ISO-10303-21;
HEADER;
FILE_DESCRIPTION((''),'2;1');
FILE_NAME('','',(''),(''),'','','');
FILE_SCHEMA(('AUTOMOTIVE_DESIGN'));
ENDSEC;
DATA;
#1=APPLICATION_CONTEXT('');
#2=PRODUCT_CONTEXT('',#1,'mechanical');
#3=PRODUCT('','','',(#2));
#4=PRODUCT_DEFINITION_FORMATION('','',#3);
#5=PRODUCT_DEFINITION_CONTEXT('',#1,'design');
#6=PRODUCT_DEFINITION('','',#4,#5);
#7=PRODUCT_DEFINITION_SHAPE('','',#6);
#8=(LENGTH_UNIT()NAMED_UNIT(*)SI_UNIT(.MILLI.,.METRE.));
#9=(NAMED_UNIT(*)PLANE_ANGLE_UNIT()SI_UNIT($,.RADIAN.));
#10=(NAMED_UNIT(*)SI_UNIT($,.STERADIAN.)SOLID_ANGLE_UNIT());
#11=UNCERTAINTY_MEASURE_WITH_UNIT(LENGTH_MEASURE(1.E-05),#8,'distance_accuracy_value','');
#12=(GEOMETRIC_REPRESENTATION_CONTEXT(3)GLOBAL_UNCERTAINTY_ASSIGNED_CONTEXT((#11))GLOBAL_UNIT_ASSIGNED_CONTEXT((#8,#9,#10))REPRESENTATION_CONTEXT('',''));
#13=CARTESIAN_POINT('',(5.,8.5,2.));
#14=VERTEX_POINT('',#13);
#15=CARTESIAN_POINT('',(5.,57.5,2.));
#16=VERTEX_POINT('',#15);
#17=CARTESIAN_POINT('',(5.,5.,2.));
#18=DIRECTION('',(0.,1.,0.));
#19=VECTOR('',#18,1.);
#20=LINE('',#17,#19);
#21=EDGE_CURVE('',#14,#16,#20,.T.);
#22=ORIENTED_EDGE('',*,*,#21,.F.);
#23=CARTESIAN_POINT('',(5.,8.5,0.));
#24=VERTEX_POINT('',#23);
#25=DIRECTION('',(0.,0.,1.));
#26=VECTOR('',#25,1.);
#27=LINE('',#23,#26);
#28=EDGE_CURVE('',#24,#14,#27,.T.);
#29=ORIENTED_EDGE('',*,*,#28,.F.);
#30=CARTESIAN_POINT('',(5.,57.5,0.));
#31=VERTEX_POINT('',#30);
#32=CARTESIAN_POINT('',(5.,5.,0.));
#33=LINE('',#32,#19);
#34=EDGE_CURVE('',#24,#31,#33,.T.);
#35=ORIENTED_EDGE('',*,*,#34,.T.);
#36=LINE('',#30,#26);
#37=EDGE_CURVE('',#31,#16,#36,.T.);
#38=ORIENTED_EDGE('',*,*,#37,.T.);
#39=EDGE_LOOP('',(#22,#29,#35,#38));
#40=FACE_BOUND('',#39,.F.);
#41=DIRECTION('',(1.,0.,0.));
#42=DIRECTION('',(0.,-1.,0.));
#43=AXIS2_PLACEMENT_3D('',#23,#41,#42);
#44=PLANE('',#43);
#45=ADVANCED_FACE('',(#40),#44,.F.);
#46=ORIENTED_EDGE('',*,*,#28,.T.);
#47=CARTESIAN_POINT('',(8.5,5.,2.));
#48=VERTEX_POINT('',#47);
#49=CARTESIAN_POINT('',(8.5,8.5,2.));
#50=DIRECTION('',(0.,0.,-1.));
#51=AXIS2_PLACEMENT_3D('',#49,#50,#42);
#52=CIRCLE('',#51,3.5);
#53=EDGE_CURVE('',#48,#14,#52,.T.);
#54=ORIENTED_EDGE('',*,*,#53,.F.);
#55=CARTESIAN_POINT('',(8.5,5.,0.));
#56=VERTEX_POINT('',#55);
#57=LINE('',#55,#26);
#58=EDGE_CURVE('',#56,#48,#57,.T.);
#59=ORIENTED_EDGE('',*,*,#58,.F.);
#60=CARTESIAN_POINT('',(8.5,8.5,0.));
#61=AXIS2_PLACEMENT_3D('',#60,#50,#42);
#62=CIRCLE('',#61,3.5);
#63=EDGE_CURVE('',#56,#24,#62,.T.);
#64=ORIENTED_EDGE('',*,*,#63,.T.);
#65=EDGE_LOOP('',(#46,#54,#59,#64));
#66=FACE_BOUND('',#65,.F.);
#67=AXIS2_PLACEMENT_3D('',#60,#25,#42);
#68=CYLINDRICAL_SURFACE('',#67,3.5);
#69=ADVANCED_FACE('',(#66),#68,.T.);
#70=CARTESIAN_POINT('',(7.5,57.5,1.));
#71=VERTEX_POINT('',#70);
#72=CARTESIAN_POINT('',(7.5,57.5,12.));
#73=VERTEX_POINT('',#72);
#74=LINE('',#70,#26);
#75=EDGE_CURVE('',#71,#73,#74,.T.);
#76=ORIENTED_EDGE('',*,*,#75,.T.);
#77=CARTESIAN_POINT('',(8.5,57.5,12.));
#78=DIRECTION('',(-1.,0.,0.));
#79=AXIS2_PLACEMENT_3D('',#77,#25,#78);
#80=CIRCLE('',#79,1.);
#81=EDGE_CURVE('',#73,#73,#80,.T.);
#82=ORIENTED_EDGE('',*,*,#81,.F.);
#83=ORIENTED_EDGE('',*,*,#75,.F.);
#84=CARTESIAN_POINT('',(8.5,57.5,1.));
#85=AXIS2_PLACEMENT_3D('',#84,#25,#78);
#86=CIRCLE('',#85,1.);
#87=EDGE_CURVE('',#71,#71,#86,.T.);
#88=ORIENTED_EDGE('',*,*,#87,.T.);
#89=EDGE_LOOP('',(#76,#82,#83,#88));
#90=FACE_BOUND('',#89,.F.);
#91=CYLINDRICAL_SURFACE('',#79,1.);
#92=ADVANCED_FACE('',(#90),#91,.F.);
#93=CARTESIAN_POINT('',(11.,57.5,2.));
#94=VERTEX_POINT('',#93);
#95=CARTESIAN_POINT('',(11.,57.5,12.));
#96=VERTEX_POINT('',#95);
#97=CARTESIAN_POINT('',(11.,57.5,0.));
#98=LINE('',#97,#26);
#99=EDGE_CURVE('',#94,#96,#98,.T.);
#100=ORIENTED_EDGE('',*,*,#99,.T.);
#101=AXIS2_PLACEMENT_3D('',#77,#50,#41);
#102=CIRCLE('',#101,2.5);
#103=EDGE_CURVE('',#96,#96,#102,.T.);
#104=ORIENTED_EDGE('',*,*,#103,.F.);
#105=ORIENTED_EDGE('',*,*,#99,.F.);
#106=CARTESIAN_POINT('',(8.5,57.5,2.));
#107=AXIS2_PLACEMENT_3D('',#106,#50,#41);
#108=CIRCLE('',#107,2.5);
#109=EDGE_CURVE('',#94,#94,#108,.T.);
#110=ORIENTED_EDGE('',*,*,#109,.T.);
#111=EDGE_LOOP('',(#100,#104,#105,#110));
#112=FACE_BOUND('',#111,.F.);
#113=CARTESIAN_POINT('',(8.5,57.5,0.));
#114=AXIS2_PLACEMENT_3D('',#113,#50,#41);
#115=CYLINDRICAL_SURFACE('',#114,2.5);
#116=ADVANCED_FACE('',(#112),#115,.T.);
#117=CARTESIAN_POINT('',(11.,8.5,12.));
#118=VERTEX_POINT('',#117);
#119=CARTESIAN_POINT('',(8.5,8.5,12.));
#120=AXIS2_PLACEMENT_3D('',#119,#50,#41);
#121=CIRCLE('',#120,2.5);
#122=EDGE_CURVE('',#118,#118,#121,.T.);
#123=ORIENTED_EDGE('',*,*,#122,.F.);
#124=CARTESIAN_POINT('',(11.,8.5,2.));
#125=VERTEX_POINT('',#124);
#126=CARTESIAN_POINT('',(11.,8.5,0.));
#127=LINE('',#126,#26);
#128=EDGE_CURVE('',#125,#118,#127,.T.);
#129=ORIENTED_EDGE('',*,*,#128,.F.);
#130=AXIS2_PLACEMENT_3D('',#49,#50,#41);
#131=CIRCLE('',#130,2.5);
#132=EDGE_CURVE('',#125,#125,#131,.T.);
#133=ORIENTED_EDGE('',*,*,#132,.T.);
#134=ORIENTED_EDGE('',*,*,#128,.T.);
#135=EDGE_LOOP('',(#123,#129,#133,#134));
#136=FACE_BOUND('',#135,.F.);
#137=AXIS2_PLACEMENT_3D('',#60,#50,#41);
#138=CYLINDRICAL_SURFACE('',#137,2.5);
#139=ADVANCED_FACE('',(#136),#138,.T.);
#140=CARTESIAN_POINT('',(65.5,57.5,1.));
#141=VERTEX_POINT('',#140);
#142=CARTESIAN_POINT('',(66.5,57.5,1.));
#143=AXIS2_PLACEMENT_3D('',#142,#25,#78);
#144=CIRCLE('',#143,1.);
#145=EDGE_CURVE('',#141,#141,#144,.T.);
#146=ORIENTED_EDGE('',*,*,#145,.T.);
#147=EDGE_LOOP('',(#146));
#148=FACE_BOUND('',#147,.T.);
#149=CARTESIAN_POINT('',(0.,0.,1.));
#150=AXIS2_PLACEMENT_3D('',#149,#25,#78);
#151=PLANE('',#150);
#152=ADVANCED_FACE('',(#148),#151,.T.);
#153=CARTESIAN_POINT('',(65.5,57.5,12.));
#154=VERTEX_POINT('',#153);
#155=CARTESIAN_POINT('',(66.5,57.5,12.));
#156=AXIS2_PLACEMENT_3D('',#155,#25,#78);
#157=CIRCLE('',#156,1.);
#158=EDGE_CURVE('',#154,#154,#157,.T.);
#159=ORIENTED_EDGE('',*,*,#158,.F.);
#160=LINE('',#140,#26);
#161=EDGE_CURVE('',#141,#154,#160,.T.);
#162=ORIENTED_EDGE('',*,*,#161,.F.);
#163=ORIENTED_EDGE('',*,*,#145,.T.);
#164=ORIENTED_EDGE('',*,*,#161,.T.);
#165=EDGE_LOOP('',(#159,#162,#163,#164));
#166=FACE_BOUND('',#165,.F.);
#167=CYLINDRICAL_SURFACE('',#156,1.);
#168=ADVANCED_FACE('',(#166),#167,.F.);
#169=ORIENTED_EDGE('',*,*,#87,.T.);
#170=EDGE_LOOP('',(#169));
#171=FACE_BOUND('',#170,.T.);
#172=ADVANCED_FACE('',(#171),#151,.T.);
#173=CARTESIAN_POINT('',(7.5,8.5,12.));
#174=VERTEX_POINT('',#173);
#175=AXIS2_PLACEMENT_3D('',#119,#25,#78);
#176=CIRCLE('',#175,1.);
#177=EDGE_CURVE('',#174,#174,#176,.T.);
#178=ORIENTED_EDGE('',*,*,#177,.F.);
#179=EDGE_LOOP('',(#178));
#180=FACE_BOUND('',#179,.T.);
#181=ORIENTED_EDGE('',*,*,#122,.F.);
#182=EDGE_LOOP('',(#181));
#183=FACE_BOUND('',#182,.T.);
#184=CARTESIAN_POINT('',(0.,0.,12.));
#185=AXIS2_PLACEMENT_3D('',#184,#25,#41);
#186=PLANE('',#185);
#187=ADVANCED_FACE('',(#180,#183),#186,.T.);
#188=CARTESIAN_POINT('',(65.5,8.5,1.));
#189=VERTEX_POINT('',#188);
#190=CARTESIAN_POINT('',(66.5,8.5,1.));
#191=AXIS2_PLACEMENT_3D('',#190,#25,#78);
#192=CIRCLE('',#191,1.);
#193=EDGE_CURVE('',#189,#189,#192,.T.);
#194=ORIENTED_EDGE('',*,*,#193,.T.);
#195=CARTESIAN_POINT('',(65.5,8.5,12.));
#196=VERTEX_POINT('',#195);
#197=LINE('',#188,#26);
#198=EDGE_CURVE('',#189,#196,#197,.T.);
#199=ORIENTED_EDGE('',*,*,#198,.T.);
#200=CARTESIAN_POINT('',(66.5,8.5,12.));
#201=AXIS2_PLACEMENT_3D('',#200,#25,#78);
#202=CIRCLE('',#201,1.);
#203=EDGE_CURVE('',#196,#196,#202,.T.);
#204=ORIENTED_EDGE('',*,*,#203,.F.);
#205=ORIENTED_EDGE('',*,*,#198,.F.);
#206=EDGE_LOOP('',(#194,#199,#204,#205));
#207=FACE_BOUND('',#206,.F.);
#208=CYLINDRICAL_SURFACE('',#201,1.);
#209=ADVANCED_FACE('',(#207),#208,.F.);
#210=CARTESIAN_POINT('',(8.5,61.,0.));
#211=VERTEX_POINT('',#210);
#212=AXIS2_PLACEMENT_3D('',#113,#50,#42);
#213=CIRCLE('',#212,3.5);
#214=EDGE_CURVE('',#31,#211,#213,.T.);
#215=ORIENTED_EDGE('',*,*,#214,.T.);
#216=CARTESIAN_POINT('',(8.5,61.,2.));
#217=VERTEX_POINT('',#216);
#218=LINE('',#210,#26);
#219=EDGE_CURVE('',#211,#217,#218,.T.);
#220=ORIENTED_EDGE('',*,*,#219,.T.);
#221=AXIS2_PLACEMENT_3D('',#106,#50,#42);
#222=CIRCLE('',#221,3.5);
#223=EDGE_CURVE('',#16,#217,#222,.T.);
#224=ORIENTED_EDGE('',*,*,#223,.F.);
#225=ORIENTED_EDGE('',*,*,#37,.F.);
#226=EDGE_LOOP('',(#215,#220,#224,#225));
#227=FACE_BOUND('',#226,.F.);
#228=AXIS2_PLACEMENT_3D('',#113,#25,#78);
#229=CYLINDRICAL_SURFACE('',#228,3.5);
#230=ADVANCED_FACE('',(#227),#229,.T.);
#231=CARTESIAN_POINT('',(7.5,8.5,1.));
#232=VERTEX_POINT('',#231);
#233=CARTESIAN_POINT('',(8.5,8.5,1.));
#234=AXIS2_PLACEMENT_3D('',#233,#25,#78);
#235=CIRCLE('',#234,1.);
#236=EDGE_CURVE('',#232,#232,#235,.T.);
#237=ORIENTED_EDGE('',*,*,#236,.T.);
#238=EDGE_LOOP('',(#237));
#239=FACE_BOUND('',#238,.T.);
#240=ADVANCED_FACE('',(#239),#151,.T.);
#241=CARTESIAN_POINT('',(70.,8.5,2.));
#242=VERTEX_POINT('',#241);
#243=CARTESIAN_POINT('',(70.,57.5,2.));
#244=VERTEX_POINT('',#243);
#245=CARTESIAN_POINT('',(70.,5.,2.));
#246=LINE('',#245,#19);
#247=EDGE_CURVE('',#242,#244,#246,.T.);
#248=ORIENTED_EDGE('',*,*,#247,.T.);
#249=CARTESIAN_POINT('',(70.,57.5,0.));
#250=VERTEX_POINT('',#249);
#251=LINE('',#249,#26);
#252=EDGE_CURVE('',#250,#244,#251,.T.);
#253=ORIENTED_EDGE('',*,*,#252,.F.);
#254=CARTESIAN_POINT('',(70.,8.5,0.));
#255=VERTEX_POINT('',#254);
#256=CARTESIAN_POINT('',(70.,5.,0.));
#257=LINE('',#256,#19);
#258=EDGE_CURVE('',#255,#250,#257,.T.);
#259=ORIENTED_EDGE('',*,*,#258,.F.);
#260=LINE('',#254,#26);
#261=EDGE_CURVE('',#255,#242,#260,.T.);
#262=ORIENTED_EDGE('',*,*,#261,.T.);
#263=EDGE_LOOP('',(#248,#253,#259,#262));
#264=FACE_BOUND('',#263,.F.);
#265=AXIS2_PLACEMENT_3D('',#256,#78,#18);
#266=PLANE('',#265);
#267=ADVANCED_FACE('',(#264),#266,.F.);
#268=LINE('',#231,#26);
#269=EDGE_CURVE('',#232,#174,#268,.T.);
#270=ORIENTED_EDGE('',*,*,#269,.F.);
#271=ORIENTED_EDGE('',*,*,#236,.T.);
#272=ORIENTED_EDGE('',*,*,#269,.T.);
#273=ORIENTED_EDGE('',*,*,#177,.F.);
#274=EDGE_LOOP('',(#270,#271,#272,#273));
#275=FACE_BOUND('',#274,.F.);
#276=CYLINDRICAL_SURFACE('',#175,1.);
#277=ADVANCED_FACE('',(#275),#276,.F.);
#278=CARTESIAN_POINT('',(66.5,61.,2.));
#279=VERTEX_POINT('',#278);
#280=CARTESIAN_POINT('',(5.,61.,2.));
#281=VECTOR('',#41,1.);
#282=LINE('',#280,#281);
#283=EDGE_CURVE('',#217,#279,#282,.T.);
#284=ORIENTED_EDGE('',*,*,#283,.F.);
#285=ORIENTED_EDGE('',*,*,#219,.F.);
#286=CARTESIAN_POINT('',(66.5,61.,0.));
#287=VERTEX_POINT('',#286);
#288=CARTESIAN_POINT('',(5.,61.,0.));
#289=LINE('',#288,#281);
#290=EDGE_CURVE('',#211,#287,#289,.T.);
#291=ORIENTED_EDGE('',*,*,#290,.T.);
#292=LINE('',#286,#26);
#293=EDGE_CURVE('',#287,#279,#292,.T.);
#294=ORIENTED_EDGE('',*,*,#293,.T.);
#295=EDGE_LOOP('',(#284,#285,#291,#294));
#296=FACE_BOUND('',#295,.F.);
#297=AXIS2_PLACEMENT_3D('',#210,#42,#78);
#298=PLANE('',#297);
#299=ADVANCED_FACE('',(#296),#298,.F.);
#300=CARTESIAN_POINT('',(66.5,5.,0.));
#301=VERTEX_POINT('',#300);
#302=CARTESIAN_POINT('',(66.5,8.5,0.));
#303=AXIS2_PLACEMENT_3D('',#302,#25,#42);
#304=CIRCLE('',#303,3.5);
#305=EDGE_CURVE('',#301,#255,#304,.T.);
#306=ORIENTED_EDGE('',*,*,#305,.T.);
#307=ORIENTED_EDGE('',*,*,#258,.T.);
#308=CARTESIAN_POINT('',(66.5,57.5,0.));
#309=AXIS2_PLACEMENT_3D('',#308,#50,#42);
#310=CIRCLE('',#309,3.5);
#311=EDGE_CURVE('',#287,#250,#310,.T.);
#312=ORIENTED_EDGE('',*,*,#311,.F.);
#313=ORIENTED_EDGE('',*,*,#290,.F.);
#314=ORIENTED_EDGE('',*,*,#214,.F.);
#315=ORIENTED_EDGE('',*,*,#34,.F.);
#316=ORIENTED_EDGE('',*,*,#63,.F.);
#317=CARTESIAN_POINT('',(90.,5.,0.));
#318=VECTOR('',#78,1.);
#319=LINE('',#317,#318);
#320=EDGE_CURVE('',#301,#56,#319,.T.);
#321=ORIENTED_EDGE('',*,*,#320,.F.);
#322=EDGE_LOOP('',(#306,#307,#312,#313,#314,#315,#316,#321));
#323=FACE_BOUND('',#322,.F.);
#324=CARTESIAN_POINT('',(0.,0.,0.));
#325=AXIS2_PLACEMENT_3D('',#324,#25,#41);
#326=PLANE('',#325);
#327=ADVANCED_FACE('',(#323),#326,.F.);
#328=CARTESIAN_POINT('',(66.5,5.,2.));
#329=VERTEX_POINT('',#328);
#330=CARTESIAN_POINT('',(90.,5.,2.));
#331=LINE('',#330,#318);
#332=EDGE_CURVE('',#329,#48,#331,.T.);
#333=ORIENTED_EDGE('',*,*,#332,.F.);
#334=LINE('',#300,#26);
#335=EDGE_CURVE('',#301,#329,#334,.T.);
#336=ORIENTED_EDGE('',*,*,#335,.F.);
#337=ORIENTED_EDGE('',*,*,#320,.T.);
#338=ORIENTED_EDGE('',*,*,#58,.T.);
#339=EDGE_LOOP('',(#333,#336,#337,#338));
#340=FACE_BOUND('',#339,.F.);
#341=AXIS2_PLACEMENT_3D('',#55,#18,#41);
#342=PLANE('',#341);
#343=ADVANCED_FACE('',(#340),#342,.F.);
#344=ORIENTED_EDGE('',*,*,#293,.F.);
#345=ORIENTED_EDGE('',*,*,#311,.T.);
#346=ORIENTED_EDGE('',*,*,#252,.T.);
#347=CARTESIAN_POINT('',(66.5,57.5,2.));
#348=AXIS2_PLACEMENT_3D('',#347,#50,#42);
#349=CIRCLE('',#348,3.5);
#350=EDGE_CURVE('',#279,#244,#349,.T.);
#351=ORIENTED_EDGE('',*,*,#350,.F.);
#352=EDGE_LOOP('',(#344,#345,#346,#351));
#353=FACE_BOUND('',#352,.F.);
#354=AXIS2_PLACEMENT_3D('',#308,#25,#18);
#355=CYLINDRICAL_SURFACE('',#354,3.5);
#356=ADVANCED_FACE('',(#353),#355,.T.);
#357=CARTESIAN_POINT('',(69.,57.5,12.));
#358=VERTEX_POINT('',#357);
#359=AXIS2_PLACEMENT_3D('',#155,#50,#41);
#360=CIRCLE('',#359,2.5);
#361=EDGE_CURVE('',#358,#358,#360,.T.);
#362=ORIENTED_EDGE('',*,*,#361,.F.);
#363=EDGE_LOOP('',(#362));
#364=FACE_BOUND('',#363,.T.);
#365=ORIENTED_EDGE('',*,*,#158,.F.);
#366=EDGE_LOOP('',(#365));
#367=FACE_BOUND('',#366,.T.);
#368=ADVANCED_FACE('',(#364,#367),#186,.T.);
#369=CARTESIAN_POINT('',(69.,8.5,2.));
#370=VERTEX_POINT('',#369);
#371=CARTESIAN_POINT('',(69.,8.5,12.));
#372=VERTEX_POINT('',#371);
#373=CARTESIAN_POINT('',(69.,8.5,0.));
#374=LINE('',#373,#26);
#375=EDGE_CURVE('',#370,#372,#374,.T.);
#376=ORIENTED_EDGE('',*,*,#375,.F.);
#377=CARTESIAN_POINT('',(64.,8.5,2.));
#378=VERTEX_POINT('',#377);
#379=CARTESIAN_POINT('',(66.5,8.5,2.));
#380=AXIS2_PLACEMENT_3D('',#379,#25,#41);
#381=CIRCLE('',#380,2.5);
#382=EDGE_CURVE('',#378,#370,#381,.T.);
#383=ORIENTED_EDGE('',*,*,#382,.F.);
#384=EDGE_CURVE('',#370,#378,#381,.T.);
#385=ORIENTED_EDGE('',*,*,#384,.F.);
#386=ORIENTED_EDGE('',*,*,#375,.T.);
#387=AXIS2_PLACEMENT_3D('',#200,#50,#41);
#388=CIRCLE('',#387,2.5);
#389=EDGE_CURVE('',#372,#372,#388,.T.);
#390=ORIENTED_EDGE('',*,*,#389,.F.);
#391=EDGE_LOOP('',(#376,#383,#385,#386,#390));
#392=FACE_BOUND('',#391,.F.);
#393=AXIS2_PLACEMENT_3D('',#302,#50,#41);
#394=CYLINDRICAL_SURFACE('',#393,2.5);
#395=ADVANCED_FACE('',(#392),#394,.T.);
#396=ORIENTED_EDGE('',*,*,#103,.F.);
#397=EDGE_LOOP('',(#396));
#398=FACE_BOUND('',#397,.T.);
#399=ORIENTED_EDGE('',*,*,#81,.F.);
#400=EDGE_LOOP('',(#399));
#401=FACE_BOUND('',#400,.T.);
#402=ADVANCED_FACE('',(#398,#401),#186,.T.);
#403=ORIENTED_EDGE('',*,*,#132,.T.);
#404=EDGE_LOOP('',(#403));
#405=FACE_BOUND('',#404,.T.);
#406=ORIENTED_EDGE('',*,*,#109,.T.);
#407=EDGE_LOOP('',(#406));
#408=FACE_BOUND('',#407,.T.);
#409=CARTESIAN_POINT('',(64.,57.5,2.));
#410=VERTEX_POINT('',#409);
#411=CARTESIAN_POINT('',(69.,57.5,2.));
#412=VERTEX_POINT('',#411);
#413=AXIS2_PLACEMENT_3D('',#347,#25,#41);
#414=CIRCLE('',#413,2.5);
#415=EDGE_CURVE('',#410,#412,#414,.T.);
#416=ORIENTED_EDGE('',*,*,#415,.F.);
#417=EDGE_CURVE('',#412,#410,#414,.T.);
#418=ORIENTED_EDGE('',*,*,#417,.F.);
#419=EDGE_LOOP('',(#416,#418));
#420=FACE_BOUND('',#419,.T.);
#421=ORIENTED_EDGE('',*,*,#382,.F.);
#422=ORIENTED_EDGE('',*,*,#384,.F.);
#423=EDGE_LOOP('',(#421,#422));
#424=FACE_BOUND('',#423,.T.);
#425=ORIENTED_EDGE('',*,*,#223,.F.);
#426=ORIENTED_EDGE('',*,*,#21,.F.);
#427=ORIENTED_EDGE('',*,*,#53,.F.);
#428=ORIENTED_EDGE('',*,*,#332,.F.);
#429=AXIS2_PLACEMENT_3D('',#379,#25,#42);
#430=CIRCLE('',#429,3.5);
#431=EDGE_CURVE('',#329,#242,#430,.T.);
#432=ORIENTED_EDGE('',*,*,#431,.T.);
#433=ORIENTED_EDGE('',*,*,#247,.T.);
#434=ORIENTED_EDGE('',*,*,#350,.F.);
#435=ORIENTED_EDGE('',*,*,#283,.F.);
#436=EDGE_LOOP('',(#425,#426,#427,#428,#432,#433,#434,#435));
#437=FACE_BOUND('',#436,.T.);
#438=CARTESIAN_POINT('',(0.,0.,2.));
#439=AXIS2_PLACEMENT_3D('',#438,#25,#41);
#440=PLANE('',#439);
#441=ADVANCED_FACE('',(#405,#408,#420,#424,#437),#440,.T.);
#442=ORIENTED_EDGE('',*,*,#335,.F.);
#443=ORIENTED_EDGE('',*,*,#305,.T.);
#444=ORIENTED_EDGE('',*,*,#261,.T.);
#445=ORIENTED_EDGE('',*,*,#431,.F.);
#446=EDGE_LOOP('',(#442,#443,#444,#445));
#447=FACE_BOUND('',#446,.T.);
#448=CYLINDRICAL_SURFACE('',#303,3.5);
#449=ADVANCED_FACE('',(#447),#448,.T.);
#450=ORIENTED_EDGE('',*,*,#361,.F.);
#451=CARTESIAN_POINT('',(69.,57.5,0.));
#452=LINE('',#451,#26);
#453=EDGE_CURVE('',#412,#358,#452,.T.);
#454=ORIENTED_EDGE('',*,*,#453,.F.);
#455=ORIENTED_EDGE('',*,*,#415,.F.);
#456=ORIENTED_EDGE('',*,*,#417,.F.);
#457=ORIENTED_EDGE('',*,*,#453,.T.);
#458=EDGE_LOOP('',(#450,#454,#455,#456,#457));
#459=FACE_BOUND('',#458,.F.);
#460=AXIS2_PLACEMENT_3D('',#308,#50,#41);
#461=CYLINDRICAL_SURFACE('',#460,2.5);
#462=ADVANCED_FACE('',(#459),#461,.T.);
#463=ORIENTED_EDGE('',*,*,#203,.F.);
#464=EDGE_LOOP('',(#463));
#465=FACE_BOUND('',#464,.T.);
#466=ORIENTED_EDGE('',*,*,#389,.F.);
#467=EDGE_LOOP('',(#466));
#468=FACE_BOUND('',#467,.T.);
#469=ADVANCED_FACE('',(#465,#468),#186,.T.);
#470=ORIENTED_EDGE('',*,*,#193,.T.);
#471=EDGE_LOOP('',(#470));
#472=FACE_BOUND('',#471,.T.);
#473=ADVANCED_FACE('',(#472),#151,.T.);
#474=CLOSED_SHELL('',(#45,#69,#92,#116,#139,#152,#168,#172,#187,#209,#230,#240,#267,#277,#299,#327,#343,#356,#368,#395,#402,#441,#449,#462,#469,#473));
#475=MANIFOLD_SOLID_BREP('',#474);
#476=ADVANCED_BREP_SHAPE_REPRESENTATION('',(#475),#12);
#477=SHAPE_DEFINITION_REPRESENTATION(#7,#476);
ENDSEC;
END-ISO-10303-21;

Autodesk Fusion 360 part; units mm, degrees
sketch "Skizze1" plane through (0, 0, 0) normal (0, 0, 1) x (1, 0, 0)
  line L0 (0, 0) -> (95, 0)
  line L1 (95, 0) -> (95, 66)
  line L2 (95, 66) -> (0, 66)
  line L3 (0, 66) -> (0, 0)
  line L4 (47.5, 0) -> (47.5, 66) construction
  line L5 (0, 33) -> (95, 33) construction
  line L6 (90, 61) -> (5, 61)
  line L7 (5, 61) -> (5, 5)
  line L8 (5, 5) -> (90, 5)
  line L9 (90, 5) -> (90, 61)
  line L10 (90, 61) -> (5, 5) construction
  line L11 (5, 61) -> (90, 5) construction
  line L12 (5, 61) -> (8.5, 61)
  line L13 (8.5, 61) -> (8.5, 57.5)
  line L14 (8.5, 57.5) -> (5, 57.5)
  line L15 (5, 57.5) -> (5, 61)
  circle A0 centre (8.5, 57.5) radius 2.5
  line L16 (5, 5) -> (8.5, 5)
  line L17 (8.5, 5) -> (8.5, 8.5)
  line L18 (8.5, 8.5) -> (5, 8.5)
  line L19 (5, 8.5) -> (5, 5)
  circle A1 centre (8.5, 8.5) radius 2.5
  line L20 (8.5, 8.5) -> (66.5, 8.5)
  circle A2 centre (66.5, 8.5) radius 2.5
  line L21 (8.5, 57.5) -> (66.5, 57.5)
  circle A3 centre (66.5, 57.5) radius 2.5
  point P0 (47.5, 33)
  dimension "d1" = 95
  dimension "d2" = 66
  dimension "d3" = 85
  dimension "d4" = 56
  dimension "d5" = 3.5
  dimension "d6" = 3.5
  dimension "d7" = 5
  dimension "d8" = 3.5
  dimension "d9" = 3.5
  dimension "d10" = 5
  dimension "d11" = 58
  dimension "d12" = 5
  dimension "d13" = 58
  dimension "d14" = 5
extrude "Extrusion1" add sketch "Skizze1" along normal blind 2 contours L0 L1 L2 L3 | L6 L7 L8 L9 L13 L14 A0 L17 L18 A1 | L6 L7 L12 L13 L14 L15 A0 | L7 L8 L16 L17 L18 L19 A1
extrude "Extrusion2" add sketch "Skizze1" along normal blind 12 contours A3 | A2 | L13 A0 L21 | L13 L14 A0 | L14 A0 L21 | L17 L18 A1 | L17 A1 L20 | L18 A1 L20
sketch "Skizze2" plane through (0, 0, 12) normal (0, 0, 1) x (-1, 0, 0)
  circle A0 centre (-8.5, -57.5) radius 2.5
  circle A1 centre (-8.5, -57.5) radius 1
  dimension "d19" = 2
extrude "Extrusion3" cut sketch "Skizze2" against normal blind 10 contours A1
sketch "Skizze3" plane through (0, 0, 12) normal (0, 0, 1) x (-1, 0, 0)
  circle A0 centre (-8.5, -8.5) radius 2.5
  circle A1 centre (-8.5, -8.5) radius 1
  dimension "d22" = 2
extrude "Extrusion4" cut sketch "Skizze3" against normal blind 10 contours A1
sketch "Skizze4" plane through (0, 0, 12) normal (0, 0, 1) x (-1, 0, 0)
  circle A0 centre (-66.5, -8.5) radius 2.5
  circle A1 centre (-66.5, -8.5) radius 1
  dimension "d25" = 2
extrude "Extrusion5" cut sketch "Skizze4" against normal blind 10 contours A1
sketch "Skizze5" plane through (0, 0, 12) normal (0, 0, 1) x (-1, 0, 0)
  circle A0 centre (-66.5, -57.5) radius 2.5
  circle A1 centre (-66.5, -57.5) radius 1
  dimension "d28" = 2
extrude "Extrusion6" cut sketch "Skizze5" against normal blind 10 contours A1
extrude "Extrusion7" cut 4 faces at (8.8074, 8.4503, 2) (8.2374, 57.0304, 2) (66.1815, 58.0517, 2) (66.5787, 9.0963, 2) along direction (0, 0, -1) blind 1
sketch "Skizze6" plane through (0, 0, 2) normal (0, 0, 1) x (-1, 0, 0)
  circle A0 centre (-66.5, -57.5) radius 2.5
  circle A1 centre (-8.5, -8.5) radius 2.5
  circle A2 centre (-8.5, -57.5) radius 2.5
  circle A3 centre (-66.5, -8.5) radius 2.5
  line L0 (0, -66) -> (0, 0)
  line L1 (0, 0) -> (-95, 0)
  line L2 (-95, 0) -> (-95, -66)
  line L3 (-95, -66) -> (0, -66)
  circle A4 centre (-8.5, -57.5) radius 3.5
  circle A5 centre (-66.5, -57.5) radius 3.5
  circle A6 centre (-8.5, -8.5) radius 3.5
  dimension "d33" = 7
  dimension "d34" = 7
  dimension "d35" = 7
extrude "Extrusion8" cut sketch "Skizze1" along normal blind 2 contours L0 L1 L2 L3
extrude "Extrusion9" cut 1 faces at (90, 23.6667, 0.6667) along direction (-1, 0, 0) blind 20
fillet "Abrundung1" radius 3.5 4 edges at (5, 5, 1) (70, 5, 1) (70, 61, 1) (5, 61, 1)
